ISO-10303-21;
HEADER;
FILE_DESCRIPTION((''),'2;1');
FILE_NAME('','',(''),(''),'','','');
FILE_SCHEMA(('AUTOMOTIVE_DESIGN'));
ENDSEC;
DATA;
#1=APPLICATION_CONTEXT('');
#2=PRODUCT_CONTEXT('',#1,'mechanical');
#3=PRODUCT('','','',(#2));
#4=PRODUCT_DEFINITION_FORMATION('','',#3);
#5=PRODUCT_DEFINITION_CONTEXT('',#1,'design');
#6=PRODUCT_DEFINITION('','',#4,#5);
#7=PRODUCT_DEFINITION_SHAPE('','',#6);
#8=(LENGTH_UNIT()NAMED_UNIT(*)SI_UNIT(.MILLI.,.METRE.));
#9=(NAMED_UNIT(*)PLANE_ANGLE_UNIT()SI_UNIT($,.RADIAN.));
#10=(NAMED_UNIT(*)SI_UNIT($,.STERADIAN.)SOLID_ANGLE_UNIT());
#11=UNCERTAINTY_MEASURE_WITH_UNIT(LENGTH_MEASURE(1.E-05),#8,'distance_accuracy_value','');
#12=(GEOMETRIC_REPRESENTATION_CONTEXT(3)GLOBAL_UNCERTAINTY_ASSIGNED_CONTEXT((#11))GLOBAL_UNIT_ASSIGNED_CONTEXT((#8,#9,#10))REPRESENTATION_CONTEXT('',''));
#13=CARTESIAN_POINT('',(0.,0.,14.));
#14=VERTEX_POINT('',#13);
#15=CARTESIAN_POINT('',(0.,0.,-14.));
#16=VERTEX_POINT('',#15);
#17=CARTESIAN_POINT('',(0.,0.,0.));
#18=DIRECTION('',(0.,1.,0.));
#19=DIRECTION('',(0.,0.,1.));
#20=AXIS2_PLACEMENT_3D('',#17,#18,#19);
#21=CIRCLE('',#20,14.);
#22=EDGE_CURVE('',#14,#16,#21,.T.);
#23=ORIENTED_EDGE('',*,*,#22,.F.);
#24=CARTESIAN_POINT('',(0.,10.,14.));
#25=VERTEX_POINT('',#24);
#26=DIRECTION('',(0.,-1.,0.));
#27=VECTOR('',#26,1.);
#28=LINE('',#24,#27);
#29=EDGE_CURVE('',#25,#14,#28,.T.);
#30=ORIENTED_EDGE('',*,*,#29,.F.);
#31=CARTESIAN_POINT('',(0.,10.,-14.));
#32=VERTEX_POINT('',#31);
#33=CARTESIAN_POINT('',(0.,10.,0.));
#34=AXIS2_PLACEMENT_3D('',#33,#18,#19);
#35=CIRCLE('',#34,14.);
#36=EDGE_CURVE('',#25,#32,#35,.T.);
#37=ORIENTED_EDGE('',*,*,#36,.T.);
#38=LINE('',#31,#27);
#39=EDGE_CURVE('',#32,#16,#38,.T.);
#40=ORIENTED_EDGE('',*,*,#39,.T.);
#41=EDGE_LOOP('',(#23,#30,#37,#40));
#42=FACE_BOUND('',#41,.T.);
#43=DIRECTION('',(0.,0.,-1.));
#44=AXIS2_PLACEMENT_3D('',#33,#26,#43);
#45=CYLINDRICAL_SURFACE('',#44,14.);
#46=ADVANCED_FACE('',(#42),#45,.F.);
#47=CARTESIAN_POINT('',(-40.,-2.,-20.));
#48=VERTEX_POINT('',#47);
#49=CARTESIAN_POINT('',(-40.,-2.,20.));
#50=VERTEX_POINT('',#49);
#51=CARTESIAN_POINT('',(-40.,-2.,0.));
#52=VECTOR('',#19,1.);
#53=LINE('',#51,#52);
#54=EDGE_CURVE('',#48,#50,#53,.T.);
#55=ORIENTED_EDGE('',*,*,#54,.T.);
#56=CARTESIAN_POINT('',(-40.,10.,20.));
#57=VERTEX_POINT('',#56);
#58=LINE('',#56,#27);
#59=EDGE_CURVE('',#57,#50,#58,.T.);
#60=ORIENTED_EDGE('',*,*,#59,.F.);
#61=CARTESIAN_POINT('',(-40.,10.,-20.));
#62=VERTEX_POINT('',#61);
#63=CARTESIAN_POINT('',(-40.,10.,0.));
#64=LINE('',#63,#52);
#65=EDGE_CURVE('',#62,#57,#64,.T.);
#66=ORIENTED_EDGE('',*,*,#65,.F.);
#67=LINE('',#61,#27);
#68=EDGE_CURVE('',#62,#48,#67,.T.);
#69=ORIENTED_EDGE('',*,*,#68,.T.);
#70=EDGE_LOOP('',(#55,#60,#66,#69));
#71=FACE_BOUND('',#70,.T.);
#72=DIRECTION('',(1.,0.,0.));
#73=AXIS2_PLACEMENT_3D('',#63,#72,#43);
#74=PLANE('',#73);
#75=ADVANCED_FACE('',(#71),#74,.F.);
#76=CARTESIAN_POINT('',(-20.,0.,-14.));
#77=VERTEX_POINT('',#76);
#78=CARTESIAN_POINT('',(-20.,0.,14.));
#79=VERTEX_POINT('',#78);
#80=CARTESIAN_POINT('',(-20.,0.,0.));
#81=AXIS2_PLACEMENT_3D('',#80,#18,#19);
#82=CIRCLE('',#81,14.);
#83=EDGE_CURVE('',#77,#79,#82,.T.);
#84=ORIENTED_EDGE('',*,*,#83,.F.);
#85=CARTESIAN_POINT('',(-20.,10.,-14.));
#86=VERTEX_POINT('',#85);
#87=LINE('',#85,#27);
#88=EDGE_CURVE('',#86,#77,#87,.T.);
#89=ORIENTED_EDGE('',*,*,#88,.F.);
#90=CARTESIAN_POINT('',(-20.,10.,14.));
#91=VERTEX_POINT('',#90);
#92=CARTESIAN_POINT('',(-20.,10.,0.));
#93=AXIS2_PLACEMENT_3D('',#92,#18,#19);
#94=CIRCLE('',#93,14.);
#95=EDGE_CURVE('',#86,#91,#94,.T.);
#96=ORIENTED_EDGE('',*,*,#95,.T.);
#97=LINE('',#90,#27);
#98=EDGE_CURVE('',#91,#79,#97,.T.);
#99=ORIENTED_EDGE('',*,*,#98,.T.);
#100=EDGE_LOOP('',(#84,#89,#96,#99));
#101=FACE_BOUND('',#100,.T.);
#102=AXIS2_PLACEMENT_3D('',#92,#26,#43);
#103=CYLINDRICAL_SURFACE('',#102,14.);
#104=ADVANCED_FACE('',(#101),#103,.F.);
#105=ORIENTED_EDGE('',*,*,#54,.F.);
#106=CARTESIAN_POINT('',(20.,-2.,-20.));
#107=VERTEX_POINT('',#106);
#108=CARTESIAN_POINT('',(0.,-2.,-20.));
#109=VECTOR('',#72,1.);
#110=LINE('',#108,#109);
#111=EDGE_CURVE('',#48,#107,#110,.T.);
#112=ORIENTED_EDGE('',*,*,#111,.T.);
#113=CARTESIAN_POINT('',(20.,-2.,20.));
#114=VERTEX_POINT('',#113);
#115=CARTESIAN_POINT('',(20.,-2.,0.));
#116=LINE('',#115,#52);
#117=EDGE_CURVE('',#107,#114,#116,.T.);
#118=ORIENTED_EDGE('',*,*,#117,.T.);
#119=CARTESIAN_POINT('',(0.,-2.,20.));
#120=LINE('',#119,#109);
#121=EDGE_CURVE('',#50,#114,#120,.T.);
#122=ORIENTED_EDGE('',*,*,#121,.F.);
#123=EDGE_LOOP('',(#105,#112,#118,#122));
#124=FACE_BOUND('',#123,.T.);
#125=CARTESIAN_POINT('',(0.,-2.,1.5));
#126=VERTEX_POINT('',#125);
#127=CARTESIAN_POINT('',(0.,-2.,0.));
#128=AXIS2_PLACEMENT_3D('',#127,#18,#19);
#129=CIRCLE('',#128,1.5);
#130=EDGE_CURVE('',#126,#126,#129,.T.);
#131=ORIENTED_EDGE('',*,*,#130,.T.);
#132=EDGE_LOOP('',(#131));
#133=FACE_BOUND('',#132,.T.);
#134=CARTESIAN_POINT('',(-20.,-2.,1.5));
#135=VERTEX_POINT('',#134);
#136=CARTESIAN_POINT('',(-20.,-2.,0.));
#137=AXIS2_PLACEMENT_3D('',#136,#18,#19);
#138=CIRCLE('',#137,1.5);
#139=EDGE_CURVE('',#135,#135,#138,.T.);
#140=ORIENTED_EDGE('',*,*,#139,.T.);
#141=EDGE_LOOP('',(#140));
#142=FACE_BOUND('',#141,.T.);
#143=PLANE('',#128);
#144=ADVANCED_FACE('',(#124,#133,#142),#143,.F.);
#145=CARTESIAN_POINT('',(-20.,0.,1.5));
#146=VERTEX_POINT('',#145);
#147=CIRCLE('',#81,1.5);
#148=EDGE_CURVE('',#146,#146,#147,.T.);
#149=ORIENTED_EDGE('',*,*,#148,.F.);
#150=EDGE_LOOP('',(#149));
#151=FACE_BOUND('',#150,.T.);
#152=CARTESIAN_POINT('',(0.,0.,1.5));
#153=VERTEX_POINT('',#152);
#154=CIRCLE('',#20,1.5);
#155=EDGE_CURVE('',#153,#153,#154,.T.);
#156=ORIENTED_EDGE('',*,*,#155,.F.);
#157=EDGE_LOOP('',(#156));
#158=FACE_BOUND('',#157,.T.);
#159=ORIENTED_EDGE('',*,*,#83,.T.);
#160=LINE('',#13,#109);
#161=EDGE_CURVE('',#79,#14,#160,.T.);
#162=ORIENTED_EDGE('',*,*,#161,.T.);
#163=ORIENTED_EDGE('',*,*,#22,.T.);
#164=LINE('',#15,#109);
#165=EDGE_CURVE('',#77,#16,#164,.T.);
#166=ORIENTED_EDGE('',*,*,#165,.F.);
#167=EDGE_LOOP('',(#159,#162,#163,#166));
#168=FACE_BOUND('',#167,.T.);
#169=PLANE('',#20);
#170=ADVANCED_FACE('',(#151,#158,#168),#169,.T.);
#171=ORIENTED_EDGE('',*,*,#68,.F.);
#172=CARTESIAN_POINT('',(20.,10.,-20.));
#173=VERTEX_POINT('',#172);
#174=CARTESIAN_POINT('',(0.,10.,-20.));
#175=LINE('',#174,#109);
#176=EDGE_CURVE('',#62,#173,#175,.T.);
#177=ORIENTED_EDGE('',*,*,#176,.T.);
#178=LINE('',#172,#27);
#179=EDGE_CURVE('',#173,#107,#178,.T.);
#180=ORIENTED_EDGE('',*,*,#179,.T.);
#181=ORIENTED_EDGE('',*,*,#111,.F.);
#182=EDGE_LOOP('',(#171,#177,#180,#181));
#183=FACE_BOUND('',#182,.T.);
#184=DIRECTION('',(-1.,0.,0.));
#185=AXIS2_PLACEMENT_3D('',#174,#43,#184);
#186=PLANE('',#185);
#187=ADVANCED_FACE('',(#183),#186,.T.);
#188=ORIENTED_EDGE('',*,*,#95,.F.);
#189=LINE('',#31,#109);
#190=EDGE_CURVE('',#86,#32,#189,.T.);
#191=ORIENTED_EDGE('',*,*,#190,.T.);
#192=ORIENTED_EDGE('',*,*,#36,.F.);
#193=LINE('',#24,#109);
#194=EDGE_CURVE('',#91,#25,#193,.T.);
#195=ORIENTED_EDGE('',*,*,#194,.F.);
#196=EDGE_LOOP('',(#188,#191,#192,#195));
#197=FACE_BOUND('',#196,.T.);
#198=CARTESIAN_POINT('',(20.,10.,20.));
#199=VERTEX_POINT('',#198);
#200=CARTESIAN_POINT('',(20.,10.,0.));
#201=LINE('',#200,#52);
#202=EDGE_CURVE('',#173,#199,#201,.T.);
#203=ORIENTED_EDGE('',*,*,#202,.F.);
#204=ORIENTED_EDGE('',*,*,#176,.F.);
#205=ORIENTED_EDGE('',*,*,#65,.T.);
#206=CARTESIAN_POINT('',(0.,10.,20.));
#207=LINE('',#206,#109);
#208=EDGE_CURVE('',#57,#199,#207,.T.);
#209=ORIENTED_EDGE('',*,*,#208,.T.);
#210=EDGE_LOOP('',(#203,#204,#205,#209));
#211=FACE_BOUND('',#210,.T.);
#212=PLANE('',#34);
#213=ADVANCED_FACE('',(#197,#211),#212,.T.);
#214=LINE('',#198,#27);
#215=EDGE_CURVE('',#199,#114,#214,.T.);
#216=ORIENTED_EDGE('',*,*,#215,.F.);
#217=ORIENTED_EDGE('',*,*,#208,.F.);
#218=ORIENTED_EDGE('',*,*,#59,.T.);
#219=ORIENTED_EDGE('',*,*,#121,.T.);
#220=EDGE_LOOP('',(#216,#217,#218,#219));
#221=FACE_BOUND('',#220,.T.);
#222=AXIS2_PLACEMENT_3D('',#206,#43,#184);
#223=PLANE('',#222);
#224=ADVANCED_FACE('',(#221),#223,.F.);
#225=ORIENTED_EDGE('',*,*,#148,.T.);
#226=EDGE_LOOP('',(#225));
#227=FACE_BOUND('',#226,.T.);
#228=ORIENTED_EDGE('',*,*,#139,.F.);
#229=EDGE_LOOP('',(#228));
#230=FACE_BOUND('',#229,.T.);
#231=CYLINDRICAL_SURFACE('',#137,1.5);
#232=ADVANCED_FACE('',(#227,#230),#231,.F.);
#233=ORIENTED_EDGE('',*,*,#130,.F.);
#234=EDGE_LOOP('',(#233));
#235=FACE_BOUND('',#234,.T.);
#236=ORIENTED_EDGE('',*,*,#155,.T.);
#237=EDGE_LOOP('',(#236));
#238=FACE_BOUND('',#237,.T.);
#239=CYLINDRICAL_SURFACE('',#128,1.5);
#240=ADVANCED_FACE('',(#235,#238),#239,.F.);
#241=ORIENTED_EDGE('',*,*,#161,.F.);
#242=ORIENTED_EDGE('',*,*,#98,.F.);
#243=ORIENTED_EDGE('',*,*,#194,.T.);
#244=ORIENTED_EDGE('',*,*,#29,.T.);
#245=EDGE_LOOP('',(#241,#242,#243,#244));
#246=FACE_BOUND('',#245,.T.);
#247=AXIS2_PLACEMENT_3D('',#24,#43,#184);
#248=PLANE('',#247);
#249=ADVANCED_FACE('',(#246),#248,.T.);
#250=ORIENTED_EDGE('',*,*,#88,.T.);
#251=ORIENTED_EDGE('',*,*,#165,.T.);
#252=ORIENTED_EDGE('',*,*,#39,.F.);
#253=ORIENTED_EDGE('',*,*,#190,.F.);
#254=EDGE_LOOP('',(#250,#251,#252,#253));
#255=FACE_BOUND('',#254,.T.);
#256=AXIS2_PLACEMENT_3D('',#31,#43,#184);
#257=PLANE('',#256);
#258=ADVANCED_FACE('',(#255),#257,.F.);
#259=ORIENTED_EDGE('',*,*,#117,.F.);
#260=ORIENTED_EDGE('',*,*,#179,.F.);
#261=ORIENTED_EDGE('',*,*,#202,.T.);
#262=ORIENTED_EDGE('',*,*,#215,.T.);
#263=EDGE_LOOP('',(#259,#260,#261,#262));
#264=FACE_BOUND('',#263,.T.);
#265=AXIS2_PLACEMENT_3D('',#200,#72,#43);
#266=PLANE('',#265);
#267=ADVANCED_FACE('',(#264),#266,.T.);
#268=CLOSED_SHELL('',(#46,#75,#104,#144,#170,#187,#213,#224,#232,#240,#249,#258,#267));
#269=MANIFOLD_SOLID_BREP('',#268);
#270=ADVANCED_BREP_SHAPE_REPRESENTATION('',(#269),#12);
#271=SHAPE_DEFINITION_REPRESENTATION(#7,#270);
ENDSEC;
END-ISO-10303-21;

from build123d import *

# Parameters (mm, degrees)
SKETCH1_W           = 60
SKETCH1_H           = 40
BOSS_EXTRUDE1_DEPTH = 10
SKETCH1_3_W         = 60
SKETCH1_3_H         = 40
SKETCH1_3_R         = 1.5
BOSS_EXTRUDE2_DEPTH = 2


with BuildPart() as part:
    # Sketch1 → Boss-Extrude1 (new body)
    with BuildSketch(Plane(origin=(0, 0, 0), x_dir=(1, 0, 0), z_dir=(0, 1, 0))):
        with Locations((-10, 0)):
            Rectangle(SKETCH1_W, SKETCH1_H)
        with BuildLine():
            ThreePointArc((-20, -14), (-34, 0), (-20, 14))
            Line((-20, 14), (0, 14))
            ThreePointArc((0, 14), (14, 0), (0, -14))
            Line((0, -14), (-20, -14))
        make_face(mode=Mode.SUBTRACT)
    extrude(amount=BOSS_EXTRUDE1_DEPTH)

    # Sketch1<3> → Boss-Extrude2 (add)
    with BuildSketch(Plane(origin=(0, 0, 0), x_dir=(1, 0, 0), z_dir=(0, 1, 0))):
        with Locations((-10, 0)):
            Rectangle(SKETCH1_3_W, SKETCH1_3_H)
        with Locations((-20, 0)):
            Circle(SKETCH1_3_R, mode=Mode.SUBTRACT)
        Circle(SKETCH1_3_R, mode=Mode.SUBTRACT)
    extrude(amount=-BOSS_EXTRUDE2_DEPTH)


solid = part.part
